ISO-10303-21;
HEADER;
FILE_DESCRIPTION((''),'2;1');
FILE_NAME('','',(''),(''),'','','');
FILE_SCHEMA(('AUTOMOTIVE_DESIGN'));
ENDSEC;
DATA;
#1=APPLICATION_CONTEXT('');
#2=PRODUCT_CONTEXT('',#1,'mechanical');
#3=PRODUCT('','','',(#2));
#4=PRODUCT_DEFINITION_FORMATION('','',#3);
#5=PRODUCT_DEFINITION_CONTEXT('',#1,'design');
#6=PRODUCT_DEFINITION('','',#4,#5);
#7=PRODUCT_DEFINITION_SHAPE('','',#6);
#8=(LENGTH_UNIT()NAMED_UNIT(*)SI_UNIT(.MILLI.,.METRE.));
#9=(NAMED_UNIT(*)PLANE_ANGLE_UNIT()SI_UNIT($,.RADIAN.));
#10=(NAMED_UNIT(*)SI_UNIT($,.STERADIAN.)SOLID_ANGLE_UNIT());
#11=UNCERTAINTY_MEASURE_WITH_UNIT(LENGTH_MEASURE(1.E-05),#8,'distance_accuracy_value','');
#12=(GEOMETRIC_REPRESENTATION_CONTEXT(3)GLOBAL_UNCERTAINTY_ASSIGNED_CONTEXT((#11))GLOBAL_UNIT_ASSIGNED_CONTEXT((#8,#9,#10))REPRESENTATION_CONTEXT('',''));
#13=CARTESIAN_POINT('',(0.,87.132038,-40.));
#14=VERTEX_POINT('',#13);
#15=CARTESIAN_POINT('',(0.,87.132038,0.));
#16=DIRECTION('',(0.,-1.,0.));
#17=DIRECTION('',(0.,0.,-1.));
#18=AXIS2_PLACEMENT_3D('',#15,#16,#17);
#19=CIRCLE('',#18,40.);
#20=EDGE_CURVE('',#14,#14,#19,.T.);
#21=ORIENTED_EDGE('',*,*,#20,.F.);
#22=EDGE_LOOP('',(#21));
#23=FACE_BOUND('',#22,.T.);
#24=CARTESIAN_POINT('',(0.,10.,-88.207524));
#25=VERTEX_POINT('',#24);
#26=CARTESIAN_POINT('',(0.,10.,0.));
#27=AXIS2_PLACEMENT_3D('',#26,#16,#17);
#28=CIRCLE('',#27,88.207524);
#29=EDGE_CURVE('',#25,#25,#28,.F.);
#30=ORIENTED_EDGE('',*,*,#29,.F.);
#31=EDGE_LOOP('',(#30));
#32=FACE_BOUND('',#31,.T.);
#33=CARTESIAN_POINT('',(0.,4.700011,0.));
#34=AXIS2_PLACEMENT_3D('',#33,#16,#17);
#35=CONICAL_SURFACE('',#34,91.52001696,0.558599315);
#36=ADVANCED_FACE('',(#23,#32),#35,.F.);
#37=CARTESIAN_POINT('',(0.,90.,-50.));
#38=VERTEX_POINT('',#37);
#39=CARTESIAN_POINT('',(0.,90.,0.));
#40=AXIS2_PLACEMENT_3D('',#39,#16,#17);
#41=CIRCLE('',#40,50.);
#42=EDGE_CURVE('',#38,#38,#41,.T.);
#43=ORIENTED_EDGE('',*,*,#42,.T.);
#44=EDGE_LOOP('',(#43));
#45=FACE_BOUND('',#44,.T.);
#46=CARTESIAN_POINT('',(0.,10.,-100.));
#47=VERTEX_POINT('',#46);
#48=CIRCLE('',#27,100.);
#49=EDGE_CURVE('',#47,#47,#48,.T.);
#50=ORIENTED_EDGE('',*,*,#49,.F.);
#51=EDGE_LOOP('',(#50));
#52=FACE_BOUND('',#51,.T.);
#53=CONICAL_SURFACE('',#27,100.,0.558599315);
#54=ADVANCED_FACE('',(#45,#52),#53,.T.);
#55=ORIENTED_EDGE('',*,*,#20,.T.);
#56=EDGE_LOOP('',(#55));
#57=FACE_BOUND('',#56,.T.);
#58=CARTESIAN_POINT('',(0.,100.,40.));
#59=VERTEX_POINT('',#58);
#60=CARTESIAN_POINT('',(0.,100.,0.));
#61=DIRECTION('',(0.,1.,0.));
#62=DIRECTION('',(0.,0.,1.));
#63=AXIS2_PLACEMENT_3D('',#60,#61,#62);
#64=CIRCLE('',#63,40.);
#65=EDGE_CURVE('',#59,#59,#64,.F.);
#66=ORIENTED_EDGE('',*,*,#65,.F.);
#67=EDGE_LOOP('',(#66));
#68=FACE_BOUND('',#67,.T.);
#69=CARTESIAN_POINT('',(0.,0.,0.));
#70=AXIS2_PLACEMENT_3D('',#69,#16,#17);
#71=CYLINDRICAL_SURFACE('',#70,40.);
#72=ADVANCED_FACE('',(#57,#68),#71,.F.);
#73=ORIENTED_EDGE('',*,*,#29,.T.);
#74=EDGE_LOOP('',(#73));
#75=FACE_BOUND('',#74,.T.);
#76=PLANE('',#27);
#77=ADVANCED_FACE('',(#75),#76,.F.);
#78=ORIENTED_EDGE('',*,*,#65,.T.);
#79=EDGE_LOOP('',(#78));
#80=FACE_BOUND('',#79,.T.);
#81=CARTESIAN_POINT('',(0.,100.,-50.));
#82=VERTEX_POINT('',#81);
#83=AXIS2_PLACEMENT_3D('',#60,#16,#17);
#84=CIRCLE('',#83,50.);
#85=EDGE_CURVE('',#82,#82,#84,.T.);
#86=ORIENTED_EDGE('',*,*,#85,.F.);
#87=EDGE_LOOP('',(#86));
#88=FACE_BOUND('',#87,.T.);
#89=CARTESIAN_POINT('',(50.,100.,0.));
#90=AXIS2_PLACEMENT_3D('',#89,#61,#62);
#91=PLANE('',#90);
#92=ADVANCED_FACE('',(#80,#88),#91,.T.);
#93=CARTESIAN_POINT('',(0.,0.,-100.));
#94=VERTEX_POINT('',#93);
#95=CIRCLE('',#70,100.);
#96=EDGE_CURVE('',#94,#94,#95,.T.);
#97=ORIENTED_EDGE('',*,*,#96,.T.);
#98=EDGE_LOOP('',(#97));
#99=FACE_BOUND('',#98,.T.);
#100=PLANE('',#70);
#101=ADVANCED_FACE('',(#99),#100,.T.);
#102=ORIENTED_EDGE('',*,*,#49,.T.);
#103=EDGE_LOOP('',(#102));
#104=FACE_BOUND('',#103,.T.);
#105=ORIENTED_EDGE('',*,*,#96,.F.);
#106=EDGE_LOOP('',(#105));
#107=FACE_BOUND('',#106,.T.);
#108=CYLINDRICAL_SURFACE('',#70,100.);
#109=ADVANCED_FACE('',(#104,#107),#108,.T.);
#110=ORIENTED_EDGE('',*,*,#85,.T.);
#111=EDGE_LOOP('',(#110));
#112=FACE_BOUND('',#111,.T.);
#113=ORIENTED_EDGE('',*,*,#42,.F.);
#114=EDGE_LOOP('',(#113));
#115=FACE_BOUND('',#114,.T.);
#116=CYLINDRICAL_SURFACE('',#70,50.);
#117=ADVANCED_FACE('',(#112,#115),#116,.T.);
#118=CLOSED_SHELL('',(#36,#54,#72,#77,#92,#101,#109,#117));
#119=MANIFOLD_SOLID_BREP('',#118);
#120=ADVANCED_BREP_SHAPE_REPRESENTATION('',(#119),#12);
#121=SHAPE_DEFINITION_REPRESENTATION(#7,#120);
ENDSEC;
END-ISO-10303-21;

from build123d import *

# Parameters (mm, degrees)
SHELL1_T = -10


with BuildPart() as part:
    # Sketch2 → Revolve1 (revolve)
    with BuildSketch(Plane.XY, mode=Mode.PRIVATE) as revolve1_sk:
        Polygon((0, 0), (100, 0), (100, 10), (50, 90), (50, 100), (0, 100), align=None)
    revolve(revolve1_sk.sketch.rotate(Axis((0, 0, 0), (0, 1, 0)), 90), axis=Axis((0, 0, 0), (0, 1, 0)))

    # Shell1
    shell1_openings = [part.faces().sort_by_distance(p)[0] for p in [
        (0, 100, 0),
    ]]
    offset(amount=SHELL1_T, openings=shell1_openings, kind=Kind.INTERSECTION)


solid = part.part
